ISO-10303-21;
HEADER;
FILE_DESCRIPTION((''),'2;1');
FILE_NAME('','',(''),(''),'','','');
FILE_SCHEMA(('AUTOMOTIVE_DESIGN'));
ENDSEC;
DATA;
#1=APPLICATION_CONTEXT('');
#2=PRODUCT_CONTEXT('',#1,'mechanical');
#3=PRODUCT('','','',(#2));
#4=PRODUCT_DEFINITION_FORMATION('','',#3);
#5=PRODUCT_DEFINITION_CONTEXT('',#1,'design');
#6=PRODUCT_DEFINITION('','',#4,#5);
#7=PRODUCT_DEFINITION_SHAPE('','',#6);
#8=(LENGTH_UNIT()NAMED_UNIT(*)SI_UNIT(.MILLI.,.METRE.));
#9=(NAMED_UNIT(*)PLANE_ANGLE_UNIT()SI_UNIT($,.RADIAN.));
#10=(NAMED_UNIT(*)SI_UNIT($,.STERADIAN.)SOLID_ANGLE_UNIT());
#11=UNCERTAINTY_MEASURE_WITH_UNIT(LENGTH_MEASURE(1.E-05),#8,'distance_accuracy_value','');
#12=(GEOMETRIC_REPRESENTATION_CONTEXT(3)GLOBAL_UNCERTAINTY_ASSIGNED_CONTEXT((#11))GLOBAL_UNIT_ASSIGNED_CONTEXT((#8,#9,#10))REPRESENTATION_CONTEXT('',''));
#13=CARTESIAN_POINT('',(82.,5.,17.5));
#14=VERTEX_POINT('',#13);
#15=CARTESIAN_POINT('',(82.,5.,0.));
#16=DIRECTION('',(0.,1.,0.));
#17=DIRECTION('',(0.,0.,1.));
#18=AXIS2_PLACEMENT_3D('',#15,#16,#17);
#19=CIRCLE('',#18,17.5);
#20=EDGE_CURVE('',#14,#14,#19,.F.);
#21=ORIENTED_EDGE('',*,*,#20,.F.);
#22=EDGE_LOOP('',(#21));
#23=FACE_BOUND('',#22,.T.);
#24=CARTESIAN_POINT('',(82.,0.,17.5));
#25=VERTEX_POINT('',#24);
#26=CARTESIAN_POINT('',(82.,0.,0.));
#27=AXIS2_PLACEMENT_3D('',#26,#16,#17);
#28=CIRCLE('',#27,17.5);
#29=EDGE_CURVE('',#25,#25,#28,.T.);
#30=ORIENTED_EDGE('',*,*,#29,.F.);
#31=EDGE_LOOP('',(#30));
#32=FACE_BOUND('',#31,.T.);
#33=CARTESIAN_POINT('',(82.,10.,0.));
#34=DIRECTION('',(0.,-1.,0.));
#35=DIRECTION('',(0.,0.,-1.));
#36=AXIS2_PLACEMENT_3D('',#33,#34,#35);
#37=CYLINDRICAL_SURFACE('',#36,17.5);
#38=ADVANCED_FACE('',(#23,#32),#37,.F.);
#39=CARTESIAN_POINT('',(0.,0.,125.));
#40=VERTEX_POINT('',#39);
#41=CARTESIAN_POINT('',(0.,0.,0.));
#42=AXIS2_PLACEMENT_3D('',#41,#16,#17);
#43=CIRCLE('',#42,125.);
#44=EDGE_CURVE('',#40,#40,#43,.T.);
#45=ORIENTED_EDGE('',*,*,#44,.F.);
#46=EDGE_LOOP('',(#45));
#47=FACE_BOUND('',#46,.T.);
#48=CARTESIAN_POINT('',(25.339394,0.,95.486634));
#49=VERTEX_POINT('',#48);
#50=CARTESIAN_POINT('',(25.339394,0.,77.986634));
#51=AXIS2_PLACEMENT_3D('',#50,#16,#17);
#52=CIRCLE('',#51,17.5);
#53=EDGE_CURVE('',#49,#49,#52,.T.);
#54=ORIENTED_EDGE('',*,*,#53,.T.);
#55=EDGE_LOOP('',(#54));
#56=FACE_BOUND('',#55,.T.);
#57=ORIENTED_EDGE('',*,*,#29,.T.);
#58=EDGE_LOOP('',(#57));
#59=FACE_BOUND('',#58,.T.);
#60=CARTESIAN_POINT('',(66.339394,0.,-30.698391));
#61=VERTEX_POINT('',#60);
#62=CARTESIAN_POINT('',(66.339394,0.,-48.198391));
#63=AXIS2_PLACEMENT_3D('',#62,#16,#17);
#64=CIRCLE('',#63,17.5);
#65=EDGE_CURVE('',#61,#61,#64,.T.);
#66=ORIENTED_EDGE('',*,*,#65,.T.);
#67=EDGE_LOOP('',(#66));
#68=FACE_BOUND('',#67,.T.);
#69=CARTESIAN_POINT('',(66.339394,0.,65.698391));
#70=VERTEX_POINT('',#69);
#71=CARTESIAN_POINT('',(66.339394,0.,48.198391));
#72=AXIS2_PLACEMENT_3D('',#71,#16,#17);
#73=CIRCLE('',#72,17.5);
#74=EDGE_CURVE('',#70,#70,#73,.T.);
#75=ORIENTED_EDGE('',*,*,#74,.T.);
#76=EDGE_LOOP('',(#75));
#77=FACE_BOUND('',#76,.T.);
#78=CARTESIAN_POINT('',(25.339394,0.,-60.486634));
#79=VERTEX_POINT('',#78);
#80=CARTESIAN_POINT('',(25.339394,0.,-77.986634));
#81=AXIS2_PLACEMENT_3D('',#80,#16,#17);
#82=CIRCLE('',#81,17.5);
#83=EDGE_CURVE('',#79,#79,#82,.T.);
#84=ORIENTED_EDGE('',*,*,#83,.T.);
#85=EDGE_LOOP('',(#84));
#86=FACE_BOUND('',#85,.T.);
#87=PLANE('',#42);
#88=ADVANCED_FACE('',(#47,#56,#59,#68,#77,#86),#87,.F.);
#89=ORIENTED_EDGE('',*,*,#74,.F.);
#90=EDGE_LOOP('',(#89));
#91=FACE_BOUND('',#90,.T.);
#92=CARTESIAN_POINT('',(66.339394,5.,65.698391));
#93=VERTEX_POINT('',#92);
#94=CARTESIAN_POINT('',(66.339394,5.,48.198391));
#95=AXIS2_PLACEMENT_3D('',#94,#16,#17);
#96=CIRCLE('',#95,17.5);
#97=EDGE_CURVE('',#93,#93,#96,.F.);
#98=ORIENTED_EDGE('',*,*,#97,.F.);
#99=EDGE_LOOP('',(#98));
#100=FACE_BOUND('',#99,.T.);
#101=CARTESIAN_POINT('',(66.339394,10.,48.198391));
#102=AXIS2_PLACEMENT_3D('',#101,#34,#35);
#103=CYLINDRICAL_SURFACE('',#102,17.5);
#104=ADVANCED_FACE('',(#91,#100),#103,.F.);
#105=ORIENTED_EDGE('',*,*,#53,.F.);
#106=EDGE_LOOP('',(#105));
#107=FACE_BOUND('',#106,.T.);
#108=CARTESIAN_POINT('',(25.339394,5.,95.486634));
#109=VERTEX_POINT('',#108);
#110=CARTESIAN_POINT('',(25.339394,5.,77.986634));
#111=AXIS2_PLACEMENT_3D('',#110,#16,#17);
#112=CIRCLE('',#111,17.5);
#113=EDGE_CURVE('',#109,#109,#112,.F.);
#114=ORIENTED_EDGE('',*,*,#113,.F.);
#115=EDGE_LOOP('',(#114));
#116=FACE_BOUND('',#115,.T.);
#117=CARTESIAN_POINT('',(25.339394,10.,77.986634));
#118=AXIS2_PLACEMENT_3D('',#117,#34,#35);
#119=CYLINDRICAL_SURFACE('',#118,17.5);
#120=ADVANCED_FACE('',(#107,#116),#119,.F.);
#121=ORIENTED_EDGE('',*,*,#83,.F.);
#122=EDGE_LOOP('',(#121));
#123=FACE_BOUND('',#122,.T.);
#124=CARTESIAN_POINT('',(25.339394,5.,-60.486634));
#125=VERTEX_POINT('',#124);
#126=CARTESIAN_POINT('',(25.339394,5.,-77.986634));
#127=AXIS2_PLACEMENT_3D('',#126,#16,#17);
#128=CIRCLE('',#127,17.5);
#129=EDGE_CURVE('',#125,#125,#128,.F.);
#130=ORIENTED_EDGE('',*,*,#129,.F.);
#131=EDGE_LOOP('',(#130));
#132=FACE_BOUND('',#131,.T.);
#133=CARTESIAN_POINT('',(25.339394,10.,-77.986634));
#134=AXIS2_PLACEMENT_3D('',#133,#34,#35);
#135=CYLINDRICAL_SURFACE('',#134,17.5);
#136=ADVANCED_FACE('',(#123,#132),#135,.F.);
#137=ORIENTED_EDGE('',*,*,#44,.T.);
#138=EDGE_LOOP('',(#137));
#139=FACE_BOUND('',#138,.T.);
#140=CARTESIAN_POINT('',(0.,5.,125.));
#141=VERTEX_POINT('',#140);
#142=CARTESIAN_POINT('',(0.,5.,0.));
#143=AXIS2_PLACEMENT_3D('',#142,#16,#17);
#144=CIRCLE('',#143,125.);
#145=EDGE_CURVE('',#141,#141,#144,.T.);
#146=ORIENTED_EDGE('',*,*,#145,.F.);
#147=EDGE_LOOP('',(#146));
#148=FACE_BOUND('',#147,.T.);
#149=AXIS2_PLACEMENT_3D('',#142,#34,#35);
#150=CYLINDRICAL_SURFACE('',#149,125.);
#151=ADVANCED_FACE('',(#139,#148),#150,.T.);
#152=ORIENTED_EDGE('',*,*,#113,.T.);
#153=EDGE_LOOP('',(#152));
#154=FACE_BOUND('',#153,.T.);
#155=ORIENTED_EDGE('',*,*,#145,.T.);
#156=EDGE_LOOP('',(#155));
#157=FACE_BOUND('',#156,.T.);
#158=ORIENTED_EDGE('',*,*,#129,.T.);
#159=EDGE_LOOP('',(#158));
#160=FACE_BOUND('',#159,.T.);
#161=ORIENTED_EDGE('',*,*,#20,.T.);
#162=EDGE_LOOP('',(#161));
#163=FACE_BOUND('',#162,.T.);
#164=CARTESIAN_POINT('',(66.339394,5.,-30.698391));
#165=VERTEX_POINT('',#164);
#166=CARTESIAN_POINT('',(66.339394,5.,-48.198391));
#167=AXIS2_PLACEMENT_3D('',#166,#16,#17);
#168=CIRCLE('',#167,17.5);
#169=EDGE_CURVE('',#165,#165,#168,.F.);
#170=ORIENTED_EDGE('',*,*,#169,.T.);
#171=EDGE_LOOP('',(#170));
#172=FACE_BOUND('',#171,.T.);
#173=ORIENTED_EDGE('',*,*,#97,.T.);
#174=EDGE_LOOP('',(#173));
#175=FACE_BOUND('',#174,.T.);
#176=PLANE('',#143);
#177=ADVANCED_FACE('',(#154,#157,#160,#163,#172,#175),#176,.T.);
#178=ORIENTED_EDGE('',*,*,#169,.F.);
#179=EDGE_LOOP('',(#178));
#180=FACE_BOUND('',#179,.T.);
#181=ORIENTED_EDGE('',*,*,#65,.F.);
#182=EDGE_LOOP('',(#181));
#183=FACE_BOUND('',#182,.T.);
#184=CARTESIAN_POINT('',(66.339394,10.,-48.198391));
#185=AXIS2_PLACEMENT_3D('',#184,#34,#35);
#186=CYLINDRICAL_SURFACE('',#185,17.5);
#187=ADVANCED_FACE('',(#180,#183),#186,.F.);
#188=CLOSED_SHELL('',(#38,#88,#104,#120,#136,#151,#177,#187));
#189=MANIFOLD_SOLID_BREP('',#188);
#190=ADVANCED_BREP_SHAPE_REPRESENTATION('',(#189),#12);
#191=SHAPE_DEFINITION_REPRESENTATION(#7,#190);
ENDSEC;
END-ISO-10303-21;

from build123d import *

# Parameters (mm, degrees)
SKETCH1_R           = 125
BOSS_EXTRUDE1_DEPTH = 5
SKETCH1_5_R         = 17.5
CUT_EXTRUDE4_DEPTH  = 10


with BuildPart() as part:
    # Sketch1 → Boss-Extrude1 (new body)
    with BuildSketch(Plane(origin=(0, 0, 0), x_dir=(1, 0, 0), z_dir=(0, 1, 0))):
        Circle(SKETCH1_R)
    extrude(amount=BOSS_EXTRUDE1_DEPTH)

    # Sketch1<5> → Cut-Extrude4 (cut)
    with BuildSketch(Plane(origin=(0, 0, 0), x_dir=(1, 0, 0), z_dir=(0, 1, 0))):
        with Locations((25.339393539, 77.986634336)):
            Circle(SKETCH1_5_R)
        with Locations((66.339393539, 48.198390688)):
            Circle(SKETCH1_5_R)
        with Locations((82, 0)):
            Circle(SKETCH1_5_R)
        with Locations((66.339393539, -48.198390688)):
            Circle(SKETCH1_5_R)
        with Locations((25.339393539, -77.986634336)):
            Circle(SKETCH1_5_R)
    extrude(amount=CUT_EXTRUDE4_DEPTH, mode=Mode.SUBTRACT)


solid = part.part
